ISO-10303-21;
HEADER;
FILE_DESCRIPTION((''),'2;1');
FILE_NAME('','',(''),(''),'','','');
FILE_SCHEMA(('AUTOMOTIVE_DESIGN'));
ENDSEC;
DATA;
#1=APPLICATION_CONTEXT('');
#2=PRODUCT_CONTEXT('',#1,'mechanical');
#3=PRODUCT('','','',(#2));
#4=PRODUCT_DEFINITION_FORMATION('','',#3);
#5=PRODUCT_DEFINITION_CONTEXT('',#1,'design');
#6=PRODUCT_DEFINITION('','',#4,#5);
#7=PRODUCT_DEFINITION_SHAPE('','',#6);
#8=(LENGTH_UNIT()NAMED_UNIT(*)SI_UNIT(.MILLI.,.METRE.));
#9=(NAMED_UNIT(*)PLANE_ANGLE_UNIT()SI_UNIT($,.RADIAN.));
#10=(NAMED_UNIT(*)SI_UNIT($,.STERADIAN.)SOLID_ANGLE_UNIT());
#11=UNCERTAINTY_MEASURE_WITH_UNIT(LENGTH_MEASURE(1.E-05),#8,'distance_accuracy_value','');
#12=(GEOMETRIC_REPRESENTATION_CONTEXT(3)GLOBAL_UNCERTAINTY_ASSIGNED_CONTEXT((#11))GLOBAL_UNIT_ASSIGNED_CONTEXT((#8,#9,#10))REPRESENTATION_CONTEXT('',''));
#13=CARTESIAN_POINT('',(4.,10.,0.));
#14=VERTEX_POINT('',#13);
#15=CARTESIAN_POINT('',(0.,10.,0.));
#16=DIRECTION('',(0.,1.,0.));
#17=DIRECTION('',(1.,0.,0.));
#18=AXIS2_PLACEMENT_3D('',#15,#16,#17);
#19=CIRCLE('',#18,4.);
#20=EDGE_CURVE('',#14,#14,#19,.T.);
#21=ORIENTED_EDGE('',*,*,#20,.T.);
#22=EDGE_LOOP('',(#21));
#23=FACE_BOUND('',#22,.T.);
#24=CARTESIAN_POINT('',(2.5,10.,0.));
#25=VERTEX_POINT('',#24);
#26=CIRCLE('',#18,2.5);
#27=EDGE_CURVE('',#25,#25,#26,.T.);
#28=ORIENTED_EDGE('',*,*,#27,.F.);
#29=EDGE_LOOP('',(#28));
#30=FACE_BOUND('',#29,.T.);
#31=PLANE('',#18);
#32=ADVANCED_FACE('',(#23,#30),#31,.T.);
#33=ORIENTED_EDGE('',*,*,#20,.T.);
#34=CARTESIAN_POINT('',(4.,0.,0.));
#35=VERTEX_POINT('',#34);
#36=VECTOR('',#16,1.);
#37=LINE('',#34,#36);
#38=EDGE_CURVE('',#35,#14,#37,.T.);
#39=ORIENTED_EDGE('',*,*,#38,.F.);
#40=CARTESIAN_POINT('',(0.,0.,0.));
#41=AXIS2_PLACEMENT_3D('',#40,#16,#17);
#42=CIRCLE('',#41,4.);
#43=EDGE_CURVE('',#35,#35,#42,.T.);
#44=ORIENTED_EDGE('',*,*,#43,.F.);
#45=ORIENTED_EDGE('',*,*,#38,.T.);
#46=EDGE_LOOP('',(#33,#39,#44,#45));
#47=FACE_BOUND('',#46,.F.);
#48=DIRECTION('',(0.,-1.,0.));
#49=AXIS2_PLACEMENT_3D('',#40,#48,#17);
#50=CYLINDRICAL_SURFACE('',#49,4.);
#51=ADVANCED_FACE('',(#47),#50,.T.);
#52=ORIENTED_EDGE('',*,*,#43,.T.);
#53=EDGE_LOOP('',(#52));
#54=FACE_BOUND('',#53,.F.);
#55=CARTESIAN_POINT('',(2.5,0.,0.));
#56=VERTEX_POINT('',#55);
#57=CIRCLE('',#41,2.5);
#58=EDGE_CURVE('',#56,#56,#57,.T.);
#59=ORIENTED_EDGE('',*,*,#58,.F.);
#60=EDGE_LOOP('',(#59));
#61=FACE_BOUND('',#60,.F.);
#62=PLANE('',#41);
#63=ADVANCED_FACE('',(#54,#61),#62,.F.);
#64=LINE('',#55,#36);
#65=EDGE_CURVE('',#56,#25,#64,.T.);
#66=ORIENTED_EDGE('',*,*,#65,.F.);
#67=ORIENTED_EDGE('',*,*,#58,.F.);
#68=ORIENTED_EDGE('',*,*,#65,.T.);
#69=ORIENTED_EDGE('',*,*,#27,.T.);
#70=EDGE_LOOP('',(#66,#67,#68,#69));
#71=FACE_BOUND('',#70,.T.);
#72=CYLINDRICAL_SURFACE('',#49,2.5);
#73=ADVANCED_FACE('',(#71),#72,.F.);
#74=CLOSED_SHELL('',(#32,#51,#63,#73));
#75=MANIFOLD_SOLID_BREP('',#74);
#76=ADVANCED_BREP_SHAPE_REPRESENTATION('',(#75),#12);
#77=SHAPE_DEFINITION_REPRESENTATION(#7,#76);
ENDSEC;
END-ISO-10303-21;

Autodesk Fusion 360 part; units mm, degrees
sketch "Sketch1" plane through (0, 0, 0) normal (0, 1, 0) x (1, 0, 0)
  circle A0 centre (0, 0) radius 2.5
  circle A1 centre (0, 0) radius 4
  dimension "d1" = 5
  dimension "d2" = 8
extrude "Extrude1" add sketch "Sketch1" along normal blind 10
